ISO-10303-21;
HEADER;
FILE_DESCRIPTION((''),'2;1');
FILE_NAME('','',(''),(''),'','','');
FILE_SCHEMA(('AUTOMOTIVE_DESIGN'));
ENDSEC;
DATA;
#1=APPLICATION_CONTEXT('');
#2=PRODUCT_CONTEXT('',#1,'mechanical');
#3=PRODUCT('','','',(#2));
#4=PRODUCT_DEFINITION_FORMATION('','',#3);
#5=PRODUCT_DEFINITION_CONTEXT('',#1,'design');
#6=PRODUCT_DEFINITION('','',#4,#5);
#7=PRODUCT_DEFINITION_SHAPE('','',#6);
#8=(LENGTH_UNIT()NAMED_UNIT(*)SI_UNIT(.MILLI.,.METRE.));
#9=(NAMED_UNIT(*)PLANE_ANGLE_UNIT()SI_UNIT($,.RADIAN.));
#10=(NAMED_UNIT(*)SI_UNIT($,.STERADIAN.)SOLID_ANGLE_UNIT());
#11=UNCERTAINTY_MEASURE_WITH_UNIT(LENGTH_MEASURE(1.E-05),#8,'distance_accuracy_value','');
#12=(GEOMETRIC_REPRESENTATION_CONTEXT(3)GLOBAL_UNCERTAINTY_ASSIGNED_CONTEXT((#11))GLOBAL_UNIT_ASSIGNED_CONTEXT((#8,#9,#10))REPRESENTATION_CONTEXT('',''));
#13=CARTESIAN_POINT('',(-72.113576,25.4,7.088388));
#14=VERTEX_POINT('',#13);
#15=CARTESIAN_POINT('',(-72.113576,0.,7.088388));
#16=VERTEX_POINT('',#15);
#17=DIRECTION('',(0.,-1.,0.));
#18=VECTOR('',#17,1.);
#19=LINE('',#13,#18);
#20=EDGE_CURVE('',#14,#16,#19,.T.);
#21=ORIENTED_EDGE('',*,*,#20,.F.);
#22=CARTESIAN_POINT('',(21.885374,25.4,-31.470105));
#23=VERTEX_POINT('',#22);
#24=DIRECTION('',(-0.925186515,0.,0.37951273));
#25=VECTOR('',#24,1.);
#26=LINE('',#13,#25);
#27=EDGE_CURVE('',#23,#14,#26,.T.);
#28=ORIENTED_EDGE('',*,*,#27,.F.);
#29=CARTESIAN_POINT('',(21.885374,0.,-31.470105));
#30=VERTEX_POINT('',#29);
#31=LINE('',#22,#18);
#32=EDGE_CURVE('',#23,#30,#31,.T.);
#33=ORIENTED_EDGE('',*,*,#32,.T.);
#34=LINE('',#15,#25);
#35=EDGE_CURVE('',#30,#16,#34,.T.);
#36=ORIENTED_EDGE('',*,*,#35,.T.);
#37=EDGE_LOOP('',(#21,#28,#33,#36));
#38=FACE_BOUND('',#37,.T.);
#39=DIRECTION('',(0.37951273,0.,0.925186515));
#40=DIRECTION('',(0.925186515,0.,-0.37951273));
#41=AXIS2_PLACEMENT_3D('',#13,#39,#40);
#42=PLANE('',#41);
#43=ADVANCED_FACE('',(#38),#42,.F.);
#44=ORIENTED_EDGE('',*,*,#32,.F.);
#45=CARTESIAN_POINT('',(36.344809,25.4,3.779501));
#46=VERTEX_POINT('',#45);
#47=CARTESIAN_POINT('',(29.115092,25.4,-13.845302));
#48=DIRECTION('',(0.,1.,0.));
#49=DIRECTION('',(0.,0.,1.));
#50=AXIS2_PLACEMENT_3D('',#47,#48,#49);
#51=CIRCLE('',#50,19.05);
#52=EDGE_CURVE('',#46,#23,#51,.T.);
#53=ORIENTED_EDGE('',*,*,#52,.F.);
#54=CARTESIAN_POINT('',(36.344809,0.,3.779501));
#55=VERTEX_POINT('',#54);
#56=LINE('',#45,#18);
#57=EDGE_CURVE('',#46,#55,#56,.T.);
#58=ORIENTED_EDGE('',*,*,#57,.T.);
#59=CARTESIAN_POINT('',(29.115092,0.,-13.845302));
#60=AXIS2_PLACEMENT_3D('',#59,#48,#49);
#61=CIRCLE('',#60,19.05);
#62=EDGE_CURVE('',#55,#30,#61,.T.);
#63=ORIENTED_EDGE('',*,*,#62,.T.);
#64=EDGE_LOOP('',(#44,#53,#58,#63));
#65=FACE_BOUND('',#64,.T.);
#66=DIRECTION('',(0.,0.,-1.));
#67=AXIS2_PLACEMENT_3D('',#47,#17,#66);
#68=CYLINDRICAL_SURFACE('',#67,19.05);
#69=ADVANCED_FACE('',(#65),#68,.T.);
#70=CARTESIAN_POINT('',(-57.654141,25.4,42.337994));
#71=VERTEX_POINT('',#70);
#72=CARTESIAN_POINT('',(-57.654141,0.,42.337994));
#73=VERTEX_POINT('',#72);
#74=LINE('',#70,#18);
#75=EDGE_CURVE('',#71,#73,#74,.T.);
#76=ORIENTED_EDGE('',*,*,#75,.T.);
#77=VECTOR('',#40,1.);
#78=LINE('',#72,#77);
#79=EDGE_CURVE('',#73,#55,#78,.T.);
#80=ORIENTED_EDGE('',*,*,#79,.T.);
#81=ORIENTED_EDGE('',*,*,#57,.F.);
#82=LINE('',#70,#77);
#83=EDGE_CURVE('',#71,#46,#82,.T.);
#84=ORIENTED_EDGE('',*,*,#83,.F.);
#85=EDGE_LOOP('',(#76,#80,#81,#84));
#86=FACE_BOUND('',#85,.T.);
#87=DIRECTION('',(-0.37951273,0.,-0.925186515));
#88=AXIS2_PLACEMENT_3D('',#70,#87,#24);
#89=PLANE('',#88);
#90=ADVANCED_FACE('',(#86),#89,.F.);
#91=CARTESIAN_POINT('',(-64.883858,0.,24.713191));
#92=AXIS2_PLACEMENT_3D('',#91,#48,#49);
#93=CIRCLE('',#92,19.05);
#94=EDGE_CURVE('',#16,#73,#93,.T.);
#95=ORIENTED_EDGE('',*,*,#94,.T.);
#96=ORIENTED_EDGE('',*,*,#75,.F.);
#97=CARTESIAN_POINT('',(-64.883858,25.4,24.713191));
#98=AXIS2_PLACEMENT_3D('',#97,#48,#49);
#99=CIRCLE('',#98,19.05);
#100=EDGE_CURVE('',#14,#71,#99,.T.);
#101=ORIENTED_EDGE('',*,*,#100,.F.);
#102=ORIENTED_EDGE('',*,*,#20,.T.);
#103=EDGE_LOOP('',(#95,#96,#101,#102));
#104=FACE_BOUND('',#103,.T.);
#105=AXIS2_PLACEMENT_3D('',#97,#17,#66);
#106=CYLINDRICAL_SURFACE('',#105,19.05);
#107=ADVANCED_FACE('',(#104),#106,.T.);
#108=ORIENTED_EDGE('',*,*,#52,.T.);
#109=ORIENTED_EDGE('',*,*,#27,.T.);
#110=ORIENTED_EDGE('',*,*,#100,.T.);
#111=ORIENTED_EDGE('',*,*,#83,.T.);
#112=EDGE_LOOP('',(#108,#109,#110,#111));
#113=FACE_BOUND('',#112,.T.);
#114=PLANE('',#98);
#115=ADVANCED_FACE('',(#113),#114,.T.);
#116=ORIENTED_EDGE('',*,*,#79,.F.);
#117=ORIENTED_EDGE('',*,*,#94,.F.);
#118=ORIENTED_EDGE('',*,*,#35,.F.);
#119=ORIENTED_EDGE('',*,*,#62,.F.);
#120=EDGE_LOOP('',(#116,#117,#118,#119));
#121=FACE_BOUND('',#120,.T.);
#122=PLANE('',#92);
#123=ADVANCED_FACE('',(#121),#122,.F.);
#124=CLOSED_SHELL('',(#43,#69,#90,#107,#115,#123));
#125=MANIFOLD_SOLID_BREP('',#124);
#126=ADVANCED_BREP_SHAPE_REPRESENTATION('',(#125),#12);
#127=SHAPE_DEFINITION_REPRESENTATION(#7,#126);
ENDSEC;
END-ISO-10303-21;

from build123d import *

# Parameters (mm, degrees)
BOSS_EXTRUDE1_DEPTH = 25.4


with BuildPart() as part:
    # Sketch1 → Boss-Extrude1 (new body)
    with BuildSketch(Plane(origin=(0, 0, 0), x_dir=(1, 0, 0), z_dir=(0, 1, 0))):
        with BuildLine():
            Line((-72.113575849, -7.08838816), (21.885374103, 31.470105171))
            ThreePointArc((21.885374103, 31.470105171), (46.739894718, 21.075019555), (36.344809102, -3.779501061))
            Line((36.344809102, -3.779501061), (-57.65414085, -42.337994392))
            ThreePointArc((-57.65414085, -42.337994392), (-82.508661465, -31.942908775), (-72.113575849, -7.08838816))
        make_face()
    extrude(amount=BOSS_EXTRUDE1_DEPTH)


solid = part.part
